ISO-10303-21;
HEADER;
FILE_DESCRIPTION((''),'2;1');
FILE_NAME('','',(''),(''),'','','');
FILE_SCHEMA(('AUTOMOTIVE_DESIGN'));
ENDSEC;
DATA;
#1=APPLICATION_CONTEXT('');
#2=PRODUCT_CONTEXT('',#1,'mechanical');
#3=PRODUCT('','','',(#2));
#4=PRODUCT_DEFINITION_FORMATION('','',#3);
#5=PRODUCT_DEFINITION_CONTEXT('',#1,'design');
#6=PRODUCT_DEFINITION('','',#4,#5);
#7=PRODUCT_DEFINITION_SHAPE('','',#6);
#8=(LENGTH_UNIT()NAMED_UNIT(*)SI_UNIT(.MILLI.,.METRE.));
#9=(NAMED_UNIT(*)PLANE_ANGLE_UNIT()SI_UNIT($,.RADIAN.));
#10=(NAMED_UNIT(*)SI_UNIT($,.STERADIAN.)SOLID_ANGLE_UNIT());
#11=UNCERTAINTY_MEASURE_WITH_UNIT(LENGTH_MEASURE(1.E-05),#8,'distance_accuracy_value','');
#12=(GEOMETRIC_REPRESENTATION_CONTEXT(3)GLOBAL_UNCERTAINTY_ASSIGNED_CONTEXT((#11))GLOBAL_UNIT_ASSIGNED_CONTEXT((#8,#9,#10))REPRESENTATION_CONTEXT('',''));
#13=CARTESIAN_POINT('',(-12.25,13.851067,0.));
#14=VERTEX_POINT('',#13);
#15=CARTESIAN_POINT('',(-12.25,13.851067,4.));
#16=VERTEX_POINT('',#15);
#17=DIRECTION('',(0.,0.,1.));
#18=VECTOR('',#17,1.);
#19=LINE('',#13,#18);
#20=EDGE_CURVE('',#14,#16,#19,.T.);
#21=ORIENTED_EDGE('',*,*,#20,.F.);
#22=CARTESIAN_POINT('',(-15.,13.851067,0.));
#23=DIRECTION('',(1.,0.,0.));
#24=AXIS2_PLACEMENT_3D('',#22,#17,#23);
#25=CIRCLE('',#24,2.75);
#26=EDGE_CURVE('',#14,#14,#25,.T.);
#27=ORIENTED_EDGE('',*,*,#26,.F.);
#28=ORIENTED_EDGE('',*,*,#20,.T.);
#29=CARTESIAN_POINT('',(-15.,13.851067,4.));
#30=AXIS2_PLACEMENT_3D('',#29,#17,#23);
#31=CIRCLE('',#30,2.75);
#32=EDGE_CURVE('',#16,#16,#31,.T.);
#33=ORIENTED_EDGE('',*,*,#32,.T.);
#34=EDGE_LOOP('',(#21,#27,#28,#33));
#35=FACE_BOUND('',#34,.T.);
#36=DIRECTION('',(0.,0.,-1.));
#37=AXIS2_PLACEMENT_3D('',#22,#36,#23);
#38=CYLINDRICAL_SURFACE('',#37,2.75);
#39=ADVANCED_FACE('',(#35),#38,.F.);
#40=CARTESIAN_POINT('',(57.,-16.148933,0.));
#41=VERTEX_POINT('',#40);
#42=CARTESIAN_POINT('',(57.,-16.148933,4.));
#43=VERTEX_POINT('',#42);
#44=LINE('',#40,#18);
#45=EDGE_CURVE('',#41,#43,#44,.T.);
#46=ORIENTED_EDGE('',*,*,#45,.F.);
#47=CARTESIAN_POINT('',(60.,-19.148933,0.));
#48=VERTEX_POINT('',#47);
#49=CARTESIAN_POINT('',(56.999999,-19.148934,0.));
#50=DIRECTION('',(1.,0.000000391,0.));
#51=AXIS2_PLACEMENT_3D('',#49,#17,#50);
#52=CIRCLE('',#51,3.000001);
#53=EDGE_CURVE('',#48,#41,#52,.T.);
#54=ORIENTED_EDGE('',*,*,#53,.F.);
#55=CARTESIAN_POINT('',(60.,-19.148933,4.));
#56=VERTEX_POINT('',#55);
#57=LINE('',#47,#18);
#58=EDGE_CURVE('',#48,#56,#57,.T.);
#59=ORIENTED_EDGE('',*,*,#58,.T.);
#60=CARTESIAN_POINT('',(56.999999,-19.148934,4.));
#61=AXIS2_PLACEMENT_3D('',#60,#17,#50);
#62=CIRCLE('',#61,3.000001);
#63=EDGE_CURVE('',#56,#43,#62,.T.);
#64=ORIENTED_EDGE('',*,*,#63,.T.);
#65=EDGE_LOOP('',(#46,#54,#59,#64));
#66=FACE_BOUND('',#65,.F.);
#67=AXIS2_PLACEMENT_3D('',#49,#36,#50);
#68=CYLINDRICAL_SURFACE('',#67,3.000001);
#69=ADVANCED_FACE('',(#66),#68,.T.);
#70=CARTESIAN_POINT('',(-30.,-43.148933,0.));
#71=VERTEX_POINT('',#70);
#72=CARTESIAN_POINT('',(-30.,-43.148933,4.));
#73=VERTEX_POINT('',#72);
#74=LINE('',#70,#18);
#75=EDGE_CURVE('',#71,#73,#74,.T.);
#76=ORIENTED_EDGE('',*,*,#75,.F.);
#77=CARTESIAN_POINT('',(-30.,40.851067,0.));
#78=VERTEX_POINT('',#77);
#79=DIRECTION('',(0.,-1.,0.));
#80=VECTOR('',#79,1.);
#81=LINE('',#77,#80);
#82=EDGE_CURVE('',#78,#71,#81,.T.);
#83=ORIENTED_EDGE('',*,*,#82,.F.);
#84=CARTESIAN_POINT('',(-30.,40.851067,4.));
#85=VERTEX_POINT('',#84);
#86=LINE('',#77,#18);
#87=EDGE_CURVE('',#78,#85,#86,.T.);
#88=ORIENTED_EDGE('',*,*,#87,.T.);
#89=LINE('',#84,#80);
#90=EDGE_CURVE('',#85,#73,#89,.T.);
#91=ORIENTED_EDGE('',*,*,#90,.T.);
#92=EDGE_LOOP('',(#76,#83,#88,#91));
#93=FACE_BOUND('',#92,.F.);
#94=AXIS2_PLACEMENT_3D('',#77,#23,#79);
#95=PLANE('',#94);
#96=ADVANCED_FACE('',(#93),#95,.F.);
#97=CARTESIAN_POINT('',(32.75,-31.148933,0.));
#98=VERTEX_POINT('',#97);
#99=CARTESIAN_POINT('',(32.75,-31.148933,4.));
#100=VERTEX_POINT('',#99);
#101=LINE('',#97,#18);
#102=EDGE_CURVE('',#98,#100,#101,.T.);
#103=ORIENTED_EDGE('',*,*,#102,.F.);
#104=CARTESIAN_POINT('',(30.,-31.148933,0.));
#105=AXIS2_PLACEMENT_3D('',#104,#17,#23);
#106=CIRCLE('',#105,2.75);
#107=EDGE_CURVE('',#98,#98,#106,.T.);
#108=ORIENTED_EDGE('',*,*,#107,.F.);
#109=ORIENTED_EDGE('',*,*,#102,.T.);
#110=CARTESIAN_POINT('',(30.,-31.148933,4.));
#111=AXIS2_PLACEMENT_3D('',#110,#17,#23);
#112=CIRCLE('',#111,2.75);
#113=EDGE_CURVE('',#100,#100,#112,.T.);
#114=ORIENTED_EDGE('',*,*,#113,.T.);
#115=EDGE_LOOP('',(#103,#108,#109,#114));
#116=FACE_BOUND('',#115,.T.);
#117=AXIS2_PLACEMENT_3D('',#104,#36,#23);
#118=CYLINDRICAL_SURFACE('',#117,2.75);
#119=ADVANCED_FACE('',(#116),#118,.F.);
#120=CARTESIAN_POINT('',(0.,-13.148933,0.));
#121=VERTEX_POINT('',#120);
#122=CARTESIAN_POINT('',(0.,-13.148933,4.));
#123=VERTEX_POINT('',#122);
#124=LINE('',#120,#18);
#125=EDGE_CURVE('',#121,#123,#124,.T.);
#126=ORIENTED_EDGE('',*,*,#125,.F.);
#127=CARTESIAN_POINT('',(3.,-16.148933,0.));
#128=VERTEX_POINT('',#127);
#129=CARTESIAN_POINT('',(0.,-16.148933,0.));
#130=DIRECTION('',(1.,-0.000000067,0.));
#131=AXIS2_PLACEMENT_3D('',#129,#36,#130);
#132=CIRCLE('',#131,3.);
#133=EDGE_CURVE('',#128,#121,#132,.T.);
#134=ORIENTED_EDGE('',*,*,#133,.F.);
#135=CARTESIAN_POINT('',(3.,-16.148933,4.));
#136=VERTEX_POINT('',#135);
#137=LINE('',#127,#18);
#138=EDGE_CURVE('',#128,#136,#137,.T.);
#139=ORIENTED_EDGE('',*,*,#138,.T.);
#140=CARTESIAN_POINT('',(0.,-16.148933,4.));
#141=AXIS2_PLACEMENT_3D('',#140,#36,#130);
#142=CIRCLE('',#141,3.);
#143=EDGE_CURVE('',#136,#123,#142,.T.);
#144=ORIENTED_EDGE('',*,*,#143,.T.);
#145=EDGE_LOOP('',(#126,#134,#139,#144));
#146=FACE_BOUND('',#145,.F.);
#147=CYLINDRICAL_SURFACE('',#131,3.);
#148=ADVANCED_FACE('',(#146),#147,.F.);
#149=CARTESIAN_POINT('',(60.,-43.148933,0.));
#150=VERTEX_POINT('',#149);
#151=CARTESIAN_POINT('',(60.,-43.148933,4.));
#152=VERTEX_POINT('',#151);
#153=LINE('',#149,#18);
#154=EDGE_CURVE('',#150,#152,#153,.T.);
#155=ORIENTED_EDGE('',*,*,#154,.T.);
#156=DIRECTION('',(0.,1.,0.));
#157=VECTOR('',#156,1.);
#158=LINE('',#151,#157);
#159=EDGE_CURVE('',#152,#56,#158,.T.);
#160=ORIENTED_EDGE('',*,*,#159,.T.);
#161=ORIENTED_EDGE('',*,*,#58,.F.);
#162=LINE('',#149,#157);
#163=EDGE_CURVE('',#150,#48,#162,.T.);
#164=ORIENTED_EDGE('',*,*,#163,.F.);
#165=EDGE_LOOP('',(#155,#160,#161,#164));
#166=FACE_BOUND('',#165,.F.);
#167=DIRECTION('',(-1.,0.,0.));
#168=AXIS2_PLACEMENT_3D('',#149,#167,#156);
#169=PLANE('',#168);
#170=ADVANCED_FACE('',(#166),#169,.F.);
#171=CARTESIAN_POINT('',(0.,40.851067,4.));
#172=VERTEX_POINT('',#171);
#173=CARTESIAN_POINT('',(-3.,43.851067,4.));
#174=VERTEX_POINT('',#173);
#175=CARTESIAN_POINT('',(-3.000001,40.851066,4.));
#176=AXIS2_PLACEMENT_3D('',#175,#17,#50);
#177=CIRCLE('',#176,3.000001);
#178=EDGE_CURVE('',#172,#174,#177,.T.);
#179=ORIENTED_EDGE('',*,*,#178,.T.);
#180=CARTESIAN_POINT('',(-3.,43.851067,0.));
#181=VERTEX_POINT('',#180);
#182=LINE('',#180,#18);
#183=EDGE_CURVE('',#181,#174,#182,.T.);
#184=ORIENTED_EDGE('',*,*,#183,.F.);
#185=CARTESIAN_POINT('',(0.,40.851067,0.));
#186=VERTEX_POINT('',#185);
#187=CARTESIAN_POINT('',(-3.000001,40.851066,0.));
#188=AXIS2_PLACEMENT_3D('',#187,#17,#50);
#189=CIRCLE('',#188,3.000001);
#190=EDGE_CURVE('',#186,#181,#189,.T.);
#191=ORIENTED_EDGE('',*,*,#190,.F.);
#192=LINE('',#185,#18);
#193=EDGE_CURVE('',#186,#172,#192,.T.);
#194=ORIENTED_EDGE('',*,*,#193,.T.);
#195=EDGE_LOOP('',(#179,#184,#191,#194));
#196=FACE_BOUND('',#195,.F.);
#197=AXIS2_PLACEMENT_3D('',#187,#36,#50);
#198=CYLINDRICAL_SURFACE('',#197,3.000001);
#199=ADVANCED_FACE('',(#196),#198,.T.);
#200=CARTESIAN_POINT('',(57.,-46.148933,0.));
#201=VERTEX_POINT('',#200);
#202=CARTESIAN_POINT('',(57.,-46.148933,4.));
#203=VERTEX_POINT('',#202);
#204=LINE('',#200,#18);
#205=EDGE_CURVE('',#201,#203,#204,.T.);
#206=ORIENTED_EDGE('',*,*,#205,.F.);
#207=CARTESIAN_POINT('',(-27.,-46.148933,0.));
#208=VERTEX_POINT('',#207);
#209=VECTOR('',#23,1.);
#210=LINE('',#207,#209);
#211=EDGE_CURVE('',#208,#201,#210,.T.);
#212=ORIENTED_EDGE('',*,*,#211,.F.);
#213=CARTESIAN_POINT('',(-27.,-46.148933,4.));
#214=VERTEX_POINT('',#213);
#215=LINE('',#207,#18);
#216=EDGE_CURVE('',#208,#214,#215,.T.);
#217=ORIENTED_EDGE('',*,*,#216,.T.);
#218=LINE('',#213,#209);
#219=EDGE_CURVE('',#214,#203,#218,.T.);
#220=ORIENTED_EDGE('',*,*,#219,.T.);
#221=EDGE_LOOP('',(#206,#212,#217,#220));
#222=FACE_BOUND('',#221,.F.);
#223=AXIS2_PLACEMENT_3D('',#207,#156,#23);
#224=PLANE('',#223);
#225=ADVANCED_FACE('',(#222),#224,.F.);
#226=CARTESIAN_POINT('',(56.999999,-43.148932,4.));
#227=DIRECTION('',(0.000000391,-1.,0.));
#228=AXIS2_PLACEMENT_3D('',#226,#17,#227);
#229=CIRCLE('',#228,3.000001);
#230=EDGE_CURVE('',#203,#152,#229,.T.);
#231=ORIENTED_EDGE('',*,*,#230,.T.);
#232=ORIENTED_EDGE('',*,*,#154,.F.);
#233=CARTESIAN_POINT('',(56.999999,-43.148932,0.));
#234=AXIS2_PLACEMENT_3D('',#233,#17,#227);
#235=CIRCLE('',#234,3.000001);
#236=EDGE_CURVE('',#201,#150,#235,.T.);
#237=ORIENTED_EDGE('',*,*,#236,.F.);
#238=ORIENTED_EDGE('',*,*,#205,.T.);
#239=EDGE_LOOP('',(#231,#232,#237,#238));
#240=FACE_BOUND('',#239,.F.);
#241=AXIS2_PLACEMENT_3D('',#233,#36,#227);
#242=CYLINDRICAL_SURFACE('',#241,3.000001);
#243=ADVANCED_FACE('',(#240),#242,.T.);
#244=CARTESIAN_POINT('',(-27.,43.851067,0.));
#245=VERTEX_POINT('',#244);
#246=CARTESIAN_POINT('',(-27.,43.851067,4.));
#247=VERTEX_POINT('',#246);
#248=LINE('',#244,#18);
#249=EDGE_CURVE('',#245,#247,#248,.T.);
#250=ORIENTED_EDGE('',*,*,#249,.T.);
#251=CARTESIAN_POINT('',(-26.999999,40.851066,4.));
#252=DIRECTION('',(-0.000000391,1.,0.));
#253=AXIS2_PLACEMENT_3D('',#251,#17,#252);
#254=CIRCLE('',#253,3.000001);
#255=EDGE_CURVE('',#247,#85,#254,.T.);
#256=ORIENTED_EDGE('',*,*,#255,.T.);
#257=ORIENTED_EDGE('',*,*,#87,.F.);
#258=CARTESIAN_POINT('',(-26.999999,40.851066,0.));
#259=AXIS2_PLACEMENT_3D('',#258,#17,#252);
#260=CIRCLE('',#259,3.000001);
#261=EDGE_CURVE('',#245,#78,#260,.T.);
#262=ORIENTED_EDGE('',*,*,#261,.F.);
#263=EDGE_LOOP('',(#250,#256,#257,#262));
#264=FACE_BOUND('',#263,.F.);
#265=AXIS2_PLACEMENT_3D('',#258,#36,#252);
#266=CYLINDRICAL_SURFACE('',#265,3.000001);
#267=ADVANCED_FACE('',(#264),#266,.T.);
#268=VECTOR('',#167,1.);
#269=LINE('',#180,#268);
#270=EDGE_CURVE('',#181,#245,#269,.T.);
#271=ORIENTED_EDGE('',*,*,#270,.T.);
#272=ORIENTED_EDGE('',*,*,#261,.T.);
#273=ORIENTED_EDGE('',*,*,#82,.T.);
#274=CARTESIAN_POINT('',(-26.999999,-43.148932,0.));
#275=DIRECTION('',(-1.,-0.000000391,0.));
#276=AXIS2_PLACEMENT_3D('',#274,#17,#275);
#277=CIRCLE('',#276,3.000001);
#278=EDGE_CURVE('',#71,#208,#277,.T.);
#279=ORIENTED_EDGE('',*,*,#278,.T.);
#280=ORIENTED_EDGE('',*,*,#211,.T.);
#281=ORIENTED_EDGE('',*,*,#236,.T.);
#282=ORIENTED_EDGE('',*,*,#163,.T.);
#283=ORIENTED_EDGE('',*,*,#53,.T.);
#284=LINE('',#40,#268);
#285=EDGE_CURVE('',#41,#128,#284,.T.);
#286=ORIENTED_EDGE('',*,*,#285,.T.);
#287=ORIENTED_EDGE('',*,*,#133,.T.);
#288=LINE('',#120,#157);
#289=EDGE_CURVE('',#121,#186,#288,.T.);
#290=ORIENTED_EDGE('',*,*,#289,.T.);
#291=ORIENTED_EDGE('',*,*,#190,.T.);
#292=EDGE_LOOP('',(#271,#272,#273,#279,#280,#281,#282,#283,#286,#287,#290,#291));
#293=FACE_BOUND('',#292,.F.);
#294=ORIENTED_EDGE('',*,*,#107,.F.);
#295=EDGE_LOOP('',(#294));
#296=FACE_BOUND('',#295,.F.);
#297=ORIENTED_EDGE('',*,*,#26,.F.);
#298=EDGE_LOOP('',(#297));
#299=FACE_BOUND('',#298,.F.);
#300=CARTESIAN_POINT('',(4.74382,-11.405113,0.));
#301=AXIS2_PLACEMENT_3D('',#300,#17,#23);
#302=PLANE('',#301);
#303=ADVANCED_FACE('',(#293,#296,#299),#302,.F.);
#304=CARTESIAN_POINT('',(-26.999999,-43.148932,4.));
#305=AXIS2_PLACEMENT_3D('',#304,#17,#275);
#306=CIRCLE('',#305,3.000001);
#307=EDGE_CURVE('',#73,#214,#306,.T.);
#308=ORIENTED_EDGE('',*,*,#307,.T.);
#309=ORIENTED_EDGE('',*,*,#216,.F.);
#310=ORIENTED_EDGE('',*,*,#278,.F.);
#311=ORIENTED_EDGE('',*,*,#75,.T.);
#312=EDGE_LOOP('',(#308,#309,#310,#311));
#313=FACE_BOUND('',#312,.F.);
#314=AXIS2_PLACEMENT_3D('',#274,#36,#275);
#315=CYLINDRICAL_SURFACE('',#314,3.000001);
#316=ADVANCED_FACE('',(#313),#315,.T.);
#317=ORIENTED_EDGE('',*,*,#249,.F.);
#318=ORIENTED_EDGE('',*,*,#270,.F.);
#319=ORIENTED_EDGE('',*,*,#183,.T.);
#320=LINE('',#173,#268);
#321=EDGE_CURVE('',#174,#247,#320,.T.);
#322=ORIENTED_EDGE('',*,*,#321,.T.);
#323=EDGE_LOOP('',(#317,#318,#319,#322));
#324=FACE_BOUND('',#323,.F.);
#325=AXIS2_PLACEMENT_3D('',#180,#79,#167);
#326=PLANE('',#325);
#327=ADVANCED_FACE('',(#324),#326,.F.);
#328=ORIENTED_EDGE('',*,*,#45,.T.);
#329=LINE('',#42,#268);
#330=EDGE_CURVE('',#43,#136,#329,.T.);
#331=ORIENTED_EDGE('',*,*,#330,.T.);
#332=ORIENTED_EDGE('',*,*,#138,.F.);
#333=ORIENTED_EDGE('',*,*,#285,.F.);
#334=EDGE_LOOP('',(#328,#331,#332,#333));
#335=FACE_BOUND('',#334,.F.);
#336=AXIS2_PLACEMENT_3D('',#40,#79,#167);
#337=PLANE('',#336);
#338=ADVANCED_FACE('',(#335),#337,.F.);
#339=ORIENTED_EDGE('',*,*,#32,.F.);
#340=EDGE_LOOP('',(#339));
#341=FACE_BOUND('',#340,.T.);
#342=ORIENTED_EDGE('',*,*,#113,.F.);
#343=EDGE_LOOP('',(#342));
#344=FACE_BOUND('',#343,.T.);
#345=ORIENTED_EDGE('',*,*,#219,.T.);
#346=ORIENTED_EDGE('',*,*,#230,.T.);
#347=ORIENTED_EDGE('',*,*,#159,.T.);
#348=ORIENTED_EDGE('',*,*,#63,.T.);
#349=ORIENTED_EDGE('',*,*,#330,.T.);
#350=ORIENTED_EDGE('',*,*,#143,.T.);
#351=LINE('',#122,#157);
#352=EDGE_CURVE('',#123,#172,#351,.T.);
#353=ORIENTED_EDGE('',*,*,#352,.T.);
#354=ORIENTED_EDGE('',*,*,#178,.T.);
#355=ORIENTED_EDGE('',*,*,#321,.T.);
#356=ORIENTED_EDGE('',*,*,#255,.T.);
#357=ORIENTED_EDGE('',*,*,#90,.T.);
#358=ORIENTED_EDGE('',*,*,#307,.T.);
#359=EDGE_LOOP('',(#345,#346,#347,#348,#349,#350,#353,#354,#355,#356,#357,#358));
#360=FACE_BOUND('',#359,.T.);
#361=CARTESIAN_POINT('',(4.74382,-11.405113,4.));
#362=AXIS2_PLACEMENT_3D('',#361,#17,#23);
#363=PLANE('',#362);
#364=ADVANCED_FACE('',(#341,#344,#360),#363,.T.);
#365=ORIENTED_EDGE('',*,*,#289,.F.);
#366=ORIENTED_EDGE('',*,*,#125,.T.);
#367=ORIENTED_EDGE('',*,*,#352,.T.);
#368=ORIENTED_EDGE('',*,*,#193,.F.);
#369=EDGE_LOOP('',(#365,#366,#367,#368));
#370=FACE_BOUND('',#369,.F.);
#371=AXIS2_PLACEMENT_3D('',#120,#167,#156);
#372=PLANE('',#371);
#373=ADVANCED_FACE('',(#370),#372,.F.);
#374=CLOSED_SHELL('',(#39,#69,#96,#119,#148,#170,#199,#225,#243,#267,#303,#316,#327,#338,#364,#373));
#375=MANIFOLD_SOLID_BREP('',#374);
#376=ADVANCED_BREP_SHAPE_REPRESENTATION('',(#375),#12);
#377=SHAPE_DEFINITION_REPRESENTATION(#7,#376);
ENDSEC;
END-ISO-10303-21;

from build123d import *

# Parameters (mm, degrees)
F0_R     = 2.75
F1_DEPTH = 4


with BuildPart() as f1:
    # F0 (on Top) → F1 (new body)
    with BuildSketch(Plane.XY):
        with BuildLine():
            Line((-3, 43.851067), (-27, 43.851067))
            ThreePointArc((-27, 43.851067), (-29.12132, 42.972387), (-30, 40.851067))
            Line((-30, 40.851067), (-30, -43.148933))
            ThreePointArc((-30, -43.148933), (-29.12132, -45.270253), (-27, -46.148933))
            Line((-27, -46.148933), (0, -46.148933))
            Line((0, -46.148933), (57, -46.148933))
            ThreePointArc((57, -46.148933), (59.12132, -45.270253), (60, -43.148933))
            Line((60, -43.148933), (60, -19.148933))
            ThreePointArc((60, -19.148933), (59.12132, -17.027613), (57, -16.148933))
            Line((57, -16.148933), (3, -16.148933))
            ThreePointArc((3, -16.148933), (-2.12132, -18.270253), (0, -13.148933))
            Line((0, -13.148933), (0, 40.851067))
            ThreePointArc((0, 40.851067), (-0.87868, 42.972387), (-3, 43.851067))
        make_face()
        with Locations((30, -31.148933)):
            Circle(F0_R, mode=Mode.SUBTRACT)
        with Locations((-15, 13.851067)):
            Circle(F0_R, mode=Mode.SUBTRACT)
    extrude(amount=F1_DEPTH)


solid = f1.part
